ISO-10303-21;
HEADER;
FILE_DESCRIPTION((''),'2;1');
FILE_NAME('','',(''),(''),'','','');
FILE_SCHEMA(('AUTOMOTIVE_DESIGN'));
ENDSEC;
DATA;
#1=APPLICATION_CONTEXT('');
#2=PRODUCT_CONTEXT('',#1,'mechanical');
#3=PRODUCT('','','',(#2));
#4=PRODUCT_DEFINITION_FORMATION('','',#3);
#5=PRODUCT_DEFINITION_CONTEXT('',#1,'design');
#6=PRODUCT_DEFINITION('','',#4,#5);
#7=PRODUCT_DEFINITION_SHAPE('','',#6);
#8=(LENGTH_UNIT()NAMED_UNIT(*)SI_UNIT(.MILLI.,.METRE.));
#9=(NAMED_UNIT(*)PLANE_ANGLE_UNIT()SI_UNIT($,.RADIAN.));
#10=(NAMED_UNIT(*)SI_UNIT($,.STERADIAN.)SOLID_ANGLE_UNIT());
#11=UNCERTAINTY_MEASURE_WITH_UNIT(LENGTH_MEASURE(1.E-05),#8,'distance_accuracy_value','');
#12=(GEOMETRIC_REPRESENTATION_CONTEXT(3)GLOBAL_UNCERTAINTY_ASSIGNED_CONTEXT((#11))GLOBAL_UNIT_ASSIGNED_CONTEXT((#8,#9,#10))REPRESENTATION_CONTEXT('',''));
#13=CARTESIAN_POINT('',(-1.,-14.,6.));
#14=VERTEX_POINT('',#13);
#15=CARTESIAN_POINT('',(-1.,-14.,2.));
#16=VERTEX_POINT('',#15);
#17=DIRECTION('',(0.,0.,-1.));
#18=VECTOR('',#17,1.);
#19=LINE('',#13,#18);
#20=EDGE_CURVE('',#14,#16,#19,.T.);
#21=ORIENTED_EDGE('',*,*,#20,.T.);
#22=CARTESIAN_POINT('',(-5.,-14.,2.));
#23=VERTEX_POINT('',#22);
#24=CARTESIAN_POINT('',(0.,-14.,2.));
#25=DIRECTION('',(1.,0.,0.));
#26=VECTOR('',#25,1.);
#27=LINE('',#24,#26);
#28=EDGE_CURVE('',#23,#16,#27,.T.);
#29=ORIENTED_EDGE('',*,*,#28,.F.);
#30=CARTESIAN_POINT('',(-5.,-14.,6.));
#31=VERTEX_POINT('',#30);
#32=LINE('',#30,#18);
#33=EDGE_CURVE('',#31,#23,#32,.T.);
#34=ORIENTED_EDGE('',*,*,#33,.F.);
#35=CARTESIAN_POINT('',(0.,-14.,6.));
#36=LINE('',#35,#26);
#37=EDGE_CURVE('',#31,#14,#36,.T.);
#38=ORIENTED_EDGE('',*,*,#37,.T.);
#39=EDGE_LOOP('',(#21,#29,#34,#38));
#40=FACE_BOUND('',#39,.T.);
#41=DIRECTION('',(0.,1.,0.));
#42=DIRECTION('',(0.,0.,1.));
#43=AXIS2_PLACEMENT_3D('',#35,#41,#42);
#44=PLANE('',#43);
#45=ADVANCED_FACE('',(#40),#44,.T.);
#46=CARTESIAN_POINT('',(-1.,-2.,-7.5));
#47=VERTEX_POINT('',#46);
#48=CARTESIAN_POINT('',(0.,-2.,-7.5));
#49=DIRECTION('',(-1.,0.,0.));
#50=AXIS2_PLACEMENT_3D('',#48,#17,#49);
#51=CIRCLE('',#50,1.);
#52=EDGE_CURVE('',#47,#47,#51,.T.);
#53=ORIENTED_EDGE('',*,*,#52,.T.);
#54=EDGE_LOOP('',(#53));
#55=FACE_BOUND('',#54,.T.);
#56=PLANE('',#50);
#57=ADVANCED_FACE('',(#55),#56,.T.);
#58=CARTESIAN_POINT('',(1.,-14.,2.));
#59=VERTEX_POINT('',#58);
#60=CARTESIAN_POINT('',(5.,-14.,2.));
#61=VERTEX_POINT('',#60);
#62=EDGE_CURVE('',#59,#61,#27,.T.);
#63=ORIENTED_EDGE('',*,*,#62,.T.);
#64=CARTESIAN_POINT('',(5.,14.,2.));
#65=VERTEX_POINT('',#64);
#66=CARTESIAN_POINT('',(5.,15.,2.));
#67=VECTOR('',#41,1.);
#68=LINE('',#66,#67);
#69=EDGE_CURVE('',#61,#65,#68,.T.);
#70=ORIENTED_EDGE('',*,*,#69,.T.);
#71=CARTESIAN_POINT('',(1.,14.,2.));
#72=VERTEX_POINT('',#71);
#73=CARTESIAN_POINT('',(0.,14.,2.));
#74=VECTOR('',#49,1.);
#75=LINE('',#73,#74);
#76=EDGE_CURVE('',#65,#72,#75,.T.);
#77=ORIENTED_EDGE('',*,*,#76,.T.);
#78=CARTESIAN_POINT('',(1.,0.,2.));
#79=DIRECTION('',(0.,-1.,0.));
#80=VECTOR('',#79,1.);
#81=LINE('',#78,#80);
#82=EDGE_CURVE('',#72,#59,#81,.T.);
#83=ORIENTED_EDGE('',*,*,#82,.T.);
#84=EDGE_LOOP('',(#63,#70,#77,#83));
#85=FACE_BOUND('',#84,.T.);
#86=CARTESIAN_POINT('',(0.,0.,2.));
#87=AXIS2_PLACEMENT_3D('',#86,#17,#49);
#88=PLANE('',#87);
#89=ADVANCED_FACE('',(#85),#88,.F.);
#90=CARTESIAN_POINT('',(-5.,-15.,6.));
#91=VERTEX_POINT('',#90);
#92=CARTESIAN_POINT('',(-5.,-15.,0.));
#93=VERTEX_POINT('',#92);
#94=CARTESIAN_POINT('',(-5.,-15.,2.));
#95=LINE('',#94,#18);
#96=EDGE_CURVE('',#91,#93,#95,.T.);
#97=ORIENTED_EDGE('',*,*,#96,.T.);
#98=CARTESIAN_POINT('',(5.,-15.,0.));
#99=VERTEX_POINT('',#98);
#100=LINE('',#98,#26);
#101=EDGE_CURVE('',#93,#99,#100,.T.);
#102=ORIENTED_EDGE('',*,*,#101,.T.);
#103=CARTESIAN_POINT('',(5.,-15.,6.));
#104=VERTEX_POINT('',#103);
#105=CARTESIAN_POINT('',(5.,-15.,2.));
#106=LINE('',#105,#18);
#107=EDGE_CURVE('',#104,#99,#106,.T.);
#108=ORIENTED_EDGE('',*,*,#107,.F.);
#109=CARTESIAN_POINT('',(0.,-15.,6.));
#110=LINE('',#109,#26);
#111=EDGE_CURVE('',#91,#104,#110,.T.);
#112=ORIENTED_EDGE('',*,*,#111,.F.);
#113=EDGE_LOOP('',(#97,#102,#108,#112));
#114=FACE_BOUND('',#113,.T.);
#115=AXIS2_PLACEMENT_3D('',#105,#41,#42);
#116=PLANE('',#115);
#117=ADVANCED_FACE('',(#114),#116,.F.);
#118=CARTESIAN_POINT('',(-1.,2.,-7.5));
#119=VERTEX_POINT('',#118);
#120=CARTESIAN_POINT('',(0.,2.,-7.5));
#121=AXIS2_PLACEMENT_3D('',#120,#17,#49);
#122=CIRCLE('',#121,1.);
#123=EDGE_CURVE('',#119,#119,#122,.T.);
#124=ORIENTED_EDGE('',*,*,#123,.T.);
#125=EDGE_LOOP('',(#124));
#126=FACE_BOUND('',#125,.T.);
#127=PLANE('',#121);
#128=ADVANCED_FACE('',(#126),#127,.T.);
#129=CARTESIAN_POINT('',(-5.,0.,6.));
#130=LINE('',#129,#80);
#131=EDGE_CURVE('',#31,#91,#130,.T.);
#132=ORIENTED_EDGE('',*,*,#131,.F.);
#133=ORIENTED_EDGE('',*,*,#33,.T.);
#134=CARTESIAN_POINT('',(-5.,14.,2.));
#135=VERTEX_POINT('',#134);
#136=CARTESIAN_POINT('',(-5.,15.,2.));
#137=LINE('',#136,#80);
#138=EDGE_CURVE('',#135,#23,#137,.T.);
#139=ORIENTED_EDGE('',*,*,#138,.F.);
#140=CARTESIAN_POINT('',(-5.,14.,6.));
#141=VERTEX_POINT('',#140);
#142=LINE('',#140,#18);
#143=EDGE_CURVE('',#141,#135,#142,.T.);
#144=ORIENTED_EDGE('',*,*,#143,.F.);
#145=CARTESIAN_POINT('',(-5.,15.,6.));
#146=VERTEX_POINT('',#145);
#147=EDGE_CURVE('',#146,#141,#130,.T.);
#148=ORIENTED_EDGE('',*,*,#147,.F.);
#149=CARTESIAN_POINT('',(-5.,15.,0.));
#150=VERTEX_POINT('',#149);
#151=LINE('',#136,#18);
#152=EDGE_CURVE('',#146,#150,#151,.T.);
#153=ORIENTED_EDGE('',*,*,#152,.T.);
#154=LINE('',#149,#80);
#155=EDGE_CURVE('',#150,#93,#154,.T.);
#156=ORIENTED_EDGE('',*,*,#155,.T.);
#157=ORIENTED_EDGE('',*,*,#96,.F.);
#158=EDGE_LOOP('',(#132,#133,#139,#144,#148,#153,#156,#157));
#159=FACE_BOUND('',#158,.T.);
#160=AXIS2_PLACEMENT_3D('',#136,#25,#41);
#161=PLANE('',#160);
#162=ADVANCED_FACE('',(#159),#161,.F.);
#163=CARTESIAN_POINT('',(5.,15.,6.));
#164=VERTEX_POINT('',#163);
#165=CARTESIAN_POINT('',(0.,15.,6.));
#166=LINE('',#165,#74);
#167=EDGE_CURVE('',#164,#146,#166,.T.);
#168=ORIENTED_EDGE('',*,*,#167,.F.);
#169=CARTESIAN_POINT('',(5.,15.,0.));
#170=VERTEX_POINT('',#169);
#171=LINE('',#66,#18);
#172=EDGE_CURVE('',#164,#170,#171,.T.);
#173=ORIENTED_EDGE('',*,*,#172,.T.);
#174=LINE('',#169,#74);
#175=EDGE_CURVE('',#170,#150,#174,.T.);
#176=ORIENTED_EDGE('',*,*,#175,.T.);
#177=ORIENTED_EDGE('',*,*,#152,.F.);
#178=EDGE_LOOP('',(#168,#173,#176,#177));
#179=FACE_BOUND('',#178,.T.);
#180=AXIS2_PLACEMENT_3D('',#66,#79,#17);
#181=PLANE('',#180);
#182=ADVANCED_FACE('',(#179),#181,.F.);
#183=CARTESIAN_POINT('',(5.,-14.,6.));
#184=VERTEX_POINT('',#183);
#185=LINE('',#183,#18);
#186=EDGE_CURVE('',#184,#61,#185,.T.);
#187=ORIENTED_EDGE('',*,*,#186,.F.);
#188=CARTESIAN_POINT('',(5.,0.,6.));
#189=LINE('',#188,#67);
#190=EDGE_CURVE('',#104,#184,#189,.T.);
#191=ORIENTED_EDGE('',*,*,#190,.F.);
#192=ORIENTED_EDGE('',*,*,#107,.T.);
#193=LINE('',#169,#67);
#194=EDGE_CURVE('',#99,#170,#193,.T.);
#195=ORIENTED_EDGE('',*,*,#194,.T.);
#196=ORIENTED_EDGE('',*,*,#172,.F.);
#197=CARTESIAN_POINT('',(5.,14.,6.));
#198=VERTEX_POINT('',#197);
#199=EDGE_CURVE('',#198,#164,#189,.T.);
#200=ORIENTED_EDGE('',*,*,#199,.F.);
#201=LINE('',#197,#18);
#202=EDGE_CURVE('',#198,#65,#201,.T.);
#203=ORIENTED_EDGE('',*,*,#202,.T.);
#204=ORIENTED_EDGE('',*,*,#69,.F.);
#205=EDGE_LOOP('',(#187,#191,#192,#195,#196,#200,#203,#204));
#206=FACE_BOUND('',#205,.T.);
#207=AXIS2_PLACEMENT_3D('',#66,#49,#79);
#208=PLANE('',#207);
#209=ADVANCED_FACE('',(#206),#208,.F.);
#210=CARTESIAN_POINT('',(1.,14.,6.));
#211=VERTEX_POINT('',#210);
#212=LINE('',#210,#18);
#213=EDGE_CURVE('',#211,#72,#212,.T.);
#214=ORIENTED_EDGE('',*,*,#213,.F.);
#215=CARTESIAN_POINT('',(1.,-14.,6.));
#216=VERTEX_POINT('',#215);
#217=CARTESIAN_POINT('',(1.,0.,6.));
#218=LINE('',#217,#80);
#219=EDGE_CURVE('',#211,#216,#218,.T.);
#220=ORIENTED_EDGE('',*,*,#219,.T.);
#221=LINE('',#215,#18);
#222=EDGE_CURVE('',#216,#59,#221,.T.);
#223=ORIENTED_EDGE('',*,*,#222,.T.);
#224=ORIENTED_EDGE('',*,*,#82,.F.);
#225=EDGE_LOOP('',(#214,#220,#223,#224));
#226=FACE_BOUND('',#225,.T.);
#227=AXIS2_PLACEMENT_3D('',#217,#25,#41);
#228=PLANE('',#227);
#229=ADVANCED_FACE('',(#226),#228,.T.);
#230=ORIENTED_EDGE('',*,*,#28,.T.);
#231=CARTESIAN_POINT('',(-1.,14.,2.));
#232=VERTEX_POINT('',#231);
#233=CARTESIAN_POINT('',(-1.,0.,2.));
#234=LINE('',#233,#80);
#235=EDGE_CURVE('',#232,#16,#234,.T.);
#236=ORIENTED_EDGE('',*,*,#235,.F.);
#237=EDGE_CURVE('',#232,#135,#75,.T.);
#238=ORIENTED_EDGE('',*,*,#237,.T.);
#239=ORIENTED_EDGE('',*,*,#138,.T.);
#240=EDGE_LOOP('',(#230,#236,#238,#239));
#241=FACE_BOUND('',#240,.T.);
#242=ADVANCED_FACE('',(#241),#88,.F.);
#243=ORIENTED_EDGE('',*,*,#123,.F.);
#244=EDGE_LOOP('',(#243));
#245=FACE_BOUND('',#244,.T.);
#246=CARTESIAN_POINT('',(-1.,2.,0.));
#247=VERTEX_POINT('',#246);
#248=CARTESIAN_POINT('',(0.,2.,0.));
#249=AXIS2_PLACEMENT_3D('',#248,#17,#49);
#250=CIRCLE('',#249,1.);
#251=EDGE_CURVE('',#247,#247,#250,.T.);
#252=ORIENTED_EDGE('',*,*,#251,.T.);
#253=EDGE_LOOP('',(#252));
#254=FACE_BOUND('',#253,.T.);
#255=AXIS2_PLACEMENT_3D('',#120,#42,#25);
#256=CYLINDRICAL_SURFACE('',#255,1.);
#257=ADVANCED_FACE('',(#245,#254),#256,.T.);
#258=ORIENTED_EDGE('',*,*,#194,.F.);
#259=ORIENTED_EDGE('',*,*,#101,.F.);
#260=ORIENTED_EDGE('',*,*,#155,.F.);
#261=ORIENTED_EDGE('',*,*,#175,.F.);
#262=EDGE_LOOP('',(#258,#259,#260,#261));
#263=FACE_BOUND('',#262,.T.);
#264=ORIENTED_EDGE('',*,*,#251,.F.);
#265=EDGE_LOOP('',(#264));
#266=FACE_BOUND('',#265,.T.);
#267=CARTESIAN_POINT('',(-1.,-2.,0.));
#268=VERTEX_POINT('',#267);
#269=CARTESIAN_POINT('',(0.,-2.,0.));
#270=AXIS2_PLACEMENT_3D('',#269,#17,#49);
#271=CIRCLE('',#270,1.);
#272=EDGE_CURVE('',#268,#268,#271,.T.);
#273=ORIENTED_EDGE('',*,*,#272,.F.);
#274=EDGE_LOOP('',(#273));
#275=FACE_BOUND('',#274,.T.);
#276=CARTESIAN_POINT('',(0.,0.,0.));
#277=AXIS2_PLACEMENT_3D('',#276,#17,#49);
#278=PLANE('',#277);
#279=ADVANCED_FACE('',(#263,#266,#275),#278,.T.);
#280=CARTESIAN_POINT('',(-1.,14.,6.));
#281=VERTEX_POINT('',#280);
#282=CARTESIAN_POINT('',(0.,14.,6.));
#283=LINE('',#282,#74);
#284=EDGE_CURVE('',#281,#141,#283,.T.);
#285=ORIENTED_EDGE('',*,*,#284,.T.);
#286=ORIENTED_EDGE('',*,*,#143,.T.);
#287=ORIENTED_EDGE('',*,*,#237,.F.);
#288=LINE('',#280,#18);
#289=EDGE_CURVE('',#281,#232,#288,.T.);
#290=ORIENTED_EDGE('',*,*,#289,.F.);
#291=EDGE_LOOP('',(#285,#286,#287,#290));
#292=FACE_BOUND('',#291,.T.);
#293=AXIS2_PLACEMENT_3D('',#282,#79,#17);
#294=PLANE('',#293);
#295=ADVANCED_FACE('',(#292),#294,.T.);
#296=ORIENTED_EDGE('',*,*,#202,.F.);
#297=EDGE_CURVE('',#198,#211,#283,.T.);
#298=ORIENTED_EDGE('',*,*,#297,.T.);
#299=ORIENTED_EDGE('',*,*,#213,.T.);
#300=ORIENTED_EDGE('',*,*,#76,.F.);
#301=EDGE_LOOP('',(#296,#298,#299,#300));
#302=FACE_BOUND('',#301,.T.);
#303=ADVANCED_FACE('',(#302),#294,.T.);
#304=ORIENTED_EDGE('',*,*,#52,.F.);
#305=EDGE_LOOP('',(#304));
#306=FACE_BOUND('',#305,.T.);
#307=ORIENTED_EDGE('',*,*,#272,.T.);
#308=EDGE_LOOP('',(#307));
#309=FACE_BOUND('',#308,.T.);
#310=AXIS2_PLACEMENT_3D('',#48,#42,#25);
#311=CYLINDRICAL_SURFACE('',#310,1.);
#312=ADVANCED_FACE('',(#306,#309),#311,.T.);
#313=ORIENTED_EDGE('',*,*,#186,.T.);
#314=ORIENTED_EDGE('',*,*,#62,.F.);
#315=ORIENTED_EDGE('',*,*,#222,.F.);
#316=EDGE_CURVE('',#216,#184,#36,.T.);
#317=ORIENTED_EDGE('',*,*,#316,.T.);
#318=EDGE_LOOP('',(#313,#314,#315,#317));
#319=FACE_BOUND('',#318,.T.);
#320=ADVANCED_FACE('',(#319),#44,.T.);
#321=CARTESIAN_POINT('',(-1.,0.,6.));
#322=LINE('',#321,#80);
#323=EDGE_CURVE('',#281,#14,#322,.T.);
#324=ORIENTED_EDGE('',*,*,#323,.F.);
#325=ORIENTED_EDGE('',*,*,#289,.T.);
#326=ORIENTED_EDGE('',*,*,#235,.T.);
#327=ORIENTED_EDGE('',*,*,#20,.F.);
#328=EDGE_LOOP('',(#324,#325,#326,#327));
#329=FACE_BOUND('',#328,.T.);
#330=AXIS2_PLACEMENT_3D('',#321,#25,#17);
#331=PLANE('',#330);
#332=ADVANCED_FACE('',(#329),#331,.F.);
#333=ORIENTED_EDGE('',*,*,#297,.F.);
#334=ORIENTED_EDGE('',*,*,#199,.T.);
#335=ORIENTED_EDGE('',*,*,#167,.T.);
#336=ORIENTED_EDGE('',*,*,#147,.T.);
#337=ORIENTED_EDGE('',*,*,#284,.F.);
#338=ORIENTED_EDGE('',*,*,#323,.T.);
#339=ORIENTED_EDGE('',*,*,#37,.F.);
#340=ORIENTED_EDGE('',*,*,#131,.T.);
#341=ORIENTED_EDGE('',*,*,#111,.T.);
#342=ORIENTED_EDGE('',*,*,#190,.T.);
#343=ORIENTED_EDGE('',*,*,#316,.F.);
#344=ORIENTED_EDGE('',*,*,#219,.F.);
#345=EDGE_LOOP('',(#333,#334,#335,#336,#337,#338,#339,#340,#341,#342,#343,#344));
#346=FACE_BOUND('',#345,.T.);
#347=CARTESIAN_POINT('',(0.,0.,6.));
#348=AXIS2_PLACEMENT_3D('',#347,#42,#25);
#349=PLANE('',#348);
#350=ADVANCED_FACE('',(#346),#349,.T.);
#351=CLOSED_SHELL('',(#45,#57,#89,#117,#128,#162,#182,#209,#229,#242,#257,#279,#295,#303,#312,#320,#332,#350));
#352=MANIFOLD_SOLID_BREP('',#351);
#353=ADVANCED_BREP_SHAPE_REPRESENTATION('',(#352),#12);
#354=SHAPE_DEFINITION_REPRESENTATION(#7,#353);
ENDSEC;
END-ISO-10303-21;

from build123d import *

# Parameters (mm, degrees)
SKETCH1_W           = 10
SKETCH1_H           = 30
BOSS_EXTRUDE1_DEPTH = 2
BOSS_EXTRUDE2_DEPTH = 4
SKETCH4_R           = 1
BOSS_EXTRUDE3_DEPTH = 7.5


with BuildPart() as part:
    # Sketch1 → Boss-Extrude1 (new body)
    with BuildSketch(Plane.XY):
        Rectangle(SKETCH1_W, SKETCH1_H)
    extrude(amount=BOSS_EXTRUDE1_DEPTH)

    # Sketch2 → Boss-Extrude2 (add)
    with BuildSketch(Plane.XY.offset(2)):
        Polygon((1, 14), (1, -14), (5, -14), (5, -15), (-5, -15), (-5, -14), (-1, -14), (-1, 14), (-5, 14), (-5, 15), (5, 15), (5, 14), align=None)
    extrude(amount=BOSS_EXTRUDE2_DEPTH)

    # Sketch4 → Boss-Extrude3 (add)
    with BuildSketch(Plane(origin=(0, 0, 0), x_dir=(-1, 0, 0), z_dir=(0, 0, -1))):
        with Locations((0, 2)):
            Circle(SKETCH4_R)
        with Locations((0, -2)):
            Circle(SKETCH4_R)
    extrude(amount=BOSS_EXTRUDE3_DEPTH)


solid = part.part
